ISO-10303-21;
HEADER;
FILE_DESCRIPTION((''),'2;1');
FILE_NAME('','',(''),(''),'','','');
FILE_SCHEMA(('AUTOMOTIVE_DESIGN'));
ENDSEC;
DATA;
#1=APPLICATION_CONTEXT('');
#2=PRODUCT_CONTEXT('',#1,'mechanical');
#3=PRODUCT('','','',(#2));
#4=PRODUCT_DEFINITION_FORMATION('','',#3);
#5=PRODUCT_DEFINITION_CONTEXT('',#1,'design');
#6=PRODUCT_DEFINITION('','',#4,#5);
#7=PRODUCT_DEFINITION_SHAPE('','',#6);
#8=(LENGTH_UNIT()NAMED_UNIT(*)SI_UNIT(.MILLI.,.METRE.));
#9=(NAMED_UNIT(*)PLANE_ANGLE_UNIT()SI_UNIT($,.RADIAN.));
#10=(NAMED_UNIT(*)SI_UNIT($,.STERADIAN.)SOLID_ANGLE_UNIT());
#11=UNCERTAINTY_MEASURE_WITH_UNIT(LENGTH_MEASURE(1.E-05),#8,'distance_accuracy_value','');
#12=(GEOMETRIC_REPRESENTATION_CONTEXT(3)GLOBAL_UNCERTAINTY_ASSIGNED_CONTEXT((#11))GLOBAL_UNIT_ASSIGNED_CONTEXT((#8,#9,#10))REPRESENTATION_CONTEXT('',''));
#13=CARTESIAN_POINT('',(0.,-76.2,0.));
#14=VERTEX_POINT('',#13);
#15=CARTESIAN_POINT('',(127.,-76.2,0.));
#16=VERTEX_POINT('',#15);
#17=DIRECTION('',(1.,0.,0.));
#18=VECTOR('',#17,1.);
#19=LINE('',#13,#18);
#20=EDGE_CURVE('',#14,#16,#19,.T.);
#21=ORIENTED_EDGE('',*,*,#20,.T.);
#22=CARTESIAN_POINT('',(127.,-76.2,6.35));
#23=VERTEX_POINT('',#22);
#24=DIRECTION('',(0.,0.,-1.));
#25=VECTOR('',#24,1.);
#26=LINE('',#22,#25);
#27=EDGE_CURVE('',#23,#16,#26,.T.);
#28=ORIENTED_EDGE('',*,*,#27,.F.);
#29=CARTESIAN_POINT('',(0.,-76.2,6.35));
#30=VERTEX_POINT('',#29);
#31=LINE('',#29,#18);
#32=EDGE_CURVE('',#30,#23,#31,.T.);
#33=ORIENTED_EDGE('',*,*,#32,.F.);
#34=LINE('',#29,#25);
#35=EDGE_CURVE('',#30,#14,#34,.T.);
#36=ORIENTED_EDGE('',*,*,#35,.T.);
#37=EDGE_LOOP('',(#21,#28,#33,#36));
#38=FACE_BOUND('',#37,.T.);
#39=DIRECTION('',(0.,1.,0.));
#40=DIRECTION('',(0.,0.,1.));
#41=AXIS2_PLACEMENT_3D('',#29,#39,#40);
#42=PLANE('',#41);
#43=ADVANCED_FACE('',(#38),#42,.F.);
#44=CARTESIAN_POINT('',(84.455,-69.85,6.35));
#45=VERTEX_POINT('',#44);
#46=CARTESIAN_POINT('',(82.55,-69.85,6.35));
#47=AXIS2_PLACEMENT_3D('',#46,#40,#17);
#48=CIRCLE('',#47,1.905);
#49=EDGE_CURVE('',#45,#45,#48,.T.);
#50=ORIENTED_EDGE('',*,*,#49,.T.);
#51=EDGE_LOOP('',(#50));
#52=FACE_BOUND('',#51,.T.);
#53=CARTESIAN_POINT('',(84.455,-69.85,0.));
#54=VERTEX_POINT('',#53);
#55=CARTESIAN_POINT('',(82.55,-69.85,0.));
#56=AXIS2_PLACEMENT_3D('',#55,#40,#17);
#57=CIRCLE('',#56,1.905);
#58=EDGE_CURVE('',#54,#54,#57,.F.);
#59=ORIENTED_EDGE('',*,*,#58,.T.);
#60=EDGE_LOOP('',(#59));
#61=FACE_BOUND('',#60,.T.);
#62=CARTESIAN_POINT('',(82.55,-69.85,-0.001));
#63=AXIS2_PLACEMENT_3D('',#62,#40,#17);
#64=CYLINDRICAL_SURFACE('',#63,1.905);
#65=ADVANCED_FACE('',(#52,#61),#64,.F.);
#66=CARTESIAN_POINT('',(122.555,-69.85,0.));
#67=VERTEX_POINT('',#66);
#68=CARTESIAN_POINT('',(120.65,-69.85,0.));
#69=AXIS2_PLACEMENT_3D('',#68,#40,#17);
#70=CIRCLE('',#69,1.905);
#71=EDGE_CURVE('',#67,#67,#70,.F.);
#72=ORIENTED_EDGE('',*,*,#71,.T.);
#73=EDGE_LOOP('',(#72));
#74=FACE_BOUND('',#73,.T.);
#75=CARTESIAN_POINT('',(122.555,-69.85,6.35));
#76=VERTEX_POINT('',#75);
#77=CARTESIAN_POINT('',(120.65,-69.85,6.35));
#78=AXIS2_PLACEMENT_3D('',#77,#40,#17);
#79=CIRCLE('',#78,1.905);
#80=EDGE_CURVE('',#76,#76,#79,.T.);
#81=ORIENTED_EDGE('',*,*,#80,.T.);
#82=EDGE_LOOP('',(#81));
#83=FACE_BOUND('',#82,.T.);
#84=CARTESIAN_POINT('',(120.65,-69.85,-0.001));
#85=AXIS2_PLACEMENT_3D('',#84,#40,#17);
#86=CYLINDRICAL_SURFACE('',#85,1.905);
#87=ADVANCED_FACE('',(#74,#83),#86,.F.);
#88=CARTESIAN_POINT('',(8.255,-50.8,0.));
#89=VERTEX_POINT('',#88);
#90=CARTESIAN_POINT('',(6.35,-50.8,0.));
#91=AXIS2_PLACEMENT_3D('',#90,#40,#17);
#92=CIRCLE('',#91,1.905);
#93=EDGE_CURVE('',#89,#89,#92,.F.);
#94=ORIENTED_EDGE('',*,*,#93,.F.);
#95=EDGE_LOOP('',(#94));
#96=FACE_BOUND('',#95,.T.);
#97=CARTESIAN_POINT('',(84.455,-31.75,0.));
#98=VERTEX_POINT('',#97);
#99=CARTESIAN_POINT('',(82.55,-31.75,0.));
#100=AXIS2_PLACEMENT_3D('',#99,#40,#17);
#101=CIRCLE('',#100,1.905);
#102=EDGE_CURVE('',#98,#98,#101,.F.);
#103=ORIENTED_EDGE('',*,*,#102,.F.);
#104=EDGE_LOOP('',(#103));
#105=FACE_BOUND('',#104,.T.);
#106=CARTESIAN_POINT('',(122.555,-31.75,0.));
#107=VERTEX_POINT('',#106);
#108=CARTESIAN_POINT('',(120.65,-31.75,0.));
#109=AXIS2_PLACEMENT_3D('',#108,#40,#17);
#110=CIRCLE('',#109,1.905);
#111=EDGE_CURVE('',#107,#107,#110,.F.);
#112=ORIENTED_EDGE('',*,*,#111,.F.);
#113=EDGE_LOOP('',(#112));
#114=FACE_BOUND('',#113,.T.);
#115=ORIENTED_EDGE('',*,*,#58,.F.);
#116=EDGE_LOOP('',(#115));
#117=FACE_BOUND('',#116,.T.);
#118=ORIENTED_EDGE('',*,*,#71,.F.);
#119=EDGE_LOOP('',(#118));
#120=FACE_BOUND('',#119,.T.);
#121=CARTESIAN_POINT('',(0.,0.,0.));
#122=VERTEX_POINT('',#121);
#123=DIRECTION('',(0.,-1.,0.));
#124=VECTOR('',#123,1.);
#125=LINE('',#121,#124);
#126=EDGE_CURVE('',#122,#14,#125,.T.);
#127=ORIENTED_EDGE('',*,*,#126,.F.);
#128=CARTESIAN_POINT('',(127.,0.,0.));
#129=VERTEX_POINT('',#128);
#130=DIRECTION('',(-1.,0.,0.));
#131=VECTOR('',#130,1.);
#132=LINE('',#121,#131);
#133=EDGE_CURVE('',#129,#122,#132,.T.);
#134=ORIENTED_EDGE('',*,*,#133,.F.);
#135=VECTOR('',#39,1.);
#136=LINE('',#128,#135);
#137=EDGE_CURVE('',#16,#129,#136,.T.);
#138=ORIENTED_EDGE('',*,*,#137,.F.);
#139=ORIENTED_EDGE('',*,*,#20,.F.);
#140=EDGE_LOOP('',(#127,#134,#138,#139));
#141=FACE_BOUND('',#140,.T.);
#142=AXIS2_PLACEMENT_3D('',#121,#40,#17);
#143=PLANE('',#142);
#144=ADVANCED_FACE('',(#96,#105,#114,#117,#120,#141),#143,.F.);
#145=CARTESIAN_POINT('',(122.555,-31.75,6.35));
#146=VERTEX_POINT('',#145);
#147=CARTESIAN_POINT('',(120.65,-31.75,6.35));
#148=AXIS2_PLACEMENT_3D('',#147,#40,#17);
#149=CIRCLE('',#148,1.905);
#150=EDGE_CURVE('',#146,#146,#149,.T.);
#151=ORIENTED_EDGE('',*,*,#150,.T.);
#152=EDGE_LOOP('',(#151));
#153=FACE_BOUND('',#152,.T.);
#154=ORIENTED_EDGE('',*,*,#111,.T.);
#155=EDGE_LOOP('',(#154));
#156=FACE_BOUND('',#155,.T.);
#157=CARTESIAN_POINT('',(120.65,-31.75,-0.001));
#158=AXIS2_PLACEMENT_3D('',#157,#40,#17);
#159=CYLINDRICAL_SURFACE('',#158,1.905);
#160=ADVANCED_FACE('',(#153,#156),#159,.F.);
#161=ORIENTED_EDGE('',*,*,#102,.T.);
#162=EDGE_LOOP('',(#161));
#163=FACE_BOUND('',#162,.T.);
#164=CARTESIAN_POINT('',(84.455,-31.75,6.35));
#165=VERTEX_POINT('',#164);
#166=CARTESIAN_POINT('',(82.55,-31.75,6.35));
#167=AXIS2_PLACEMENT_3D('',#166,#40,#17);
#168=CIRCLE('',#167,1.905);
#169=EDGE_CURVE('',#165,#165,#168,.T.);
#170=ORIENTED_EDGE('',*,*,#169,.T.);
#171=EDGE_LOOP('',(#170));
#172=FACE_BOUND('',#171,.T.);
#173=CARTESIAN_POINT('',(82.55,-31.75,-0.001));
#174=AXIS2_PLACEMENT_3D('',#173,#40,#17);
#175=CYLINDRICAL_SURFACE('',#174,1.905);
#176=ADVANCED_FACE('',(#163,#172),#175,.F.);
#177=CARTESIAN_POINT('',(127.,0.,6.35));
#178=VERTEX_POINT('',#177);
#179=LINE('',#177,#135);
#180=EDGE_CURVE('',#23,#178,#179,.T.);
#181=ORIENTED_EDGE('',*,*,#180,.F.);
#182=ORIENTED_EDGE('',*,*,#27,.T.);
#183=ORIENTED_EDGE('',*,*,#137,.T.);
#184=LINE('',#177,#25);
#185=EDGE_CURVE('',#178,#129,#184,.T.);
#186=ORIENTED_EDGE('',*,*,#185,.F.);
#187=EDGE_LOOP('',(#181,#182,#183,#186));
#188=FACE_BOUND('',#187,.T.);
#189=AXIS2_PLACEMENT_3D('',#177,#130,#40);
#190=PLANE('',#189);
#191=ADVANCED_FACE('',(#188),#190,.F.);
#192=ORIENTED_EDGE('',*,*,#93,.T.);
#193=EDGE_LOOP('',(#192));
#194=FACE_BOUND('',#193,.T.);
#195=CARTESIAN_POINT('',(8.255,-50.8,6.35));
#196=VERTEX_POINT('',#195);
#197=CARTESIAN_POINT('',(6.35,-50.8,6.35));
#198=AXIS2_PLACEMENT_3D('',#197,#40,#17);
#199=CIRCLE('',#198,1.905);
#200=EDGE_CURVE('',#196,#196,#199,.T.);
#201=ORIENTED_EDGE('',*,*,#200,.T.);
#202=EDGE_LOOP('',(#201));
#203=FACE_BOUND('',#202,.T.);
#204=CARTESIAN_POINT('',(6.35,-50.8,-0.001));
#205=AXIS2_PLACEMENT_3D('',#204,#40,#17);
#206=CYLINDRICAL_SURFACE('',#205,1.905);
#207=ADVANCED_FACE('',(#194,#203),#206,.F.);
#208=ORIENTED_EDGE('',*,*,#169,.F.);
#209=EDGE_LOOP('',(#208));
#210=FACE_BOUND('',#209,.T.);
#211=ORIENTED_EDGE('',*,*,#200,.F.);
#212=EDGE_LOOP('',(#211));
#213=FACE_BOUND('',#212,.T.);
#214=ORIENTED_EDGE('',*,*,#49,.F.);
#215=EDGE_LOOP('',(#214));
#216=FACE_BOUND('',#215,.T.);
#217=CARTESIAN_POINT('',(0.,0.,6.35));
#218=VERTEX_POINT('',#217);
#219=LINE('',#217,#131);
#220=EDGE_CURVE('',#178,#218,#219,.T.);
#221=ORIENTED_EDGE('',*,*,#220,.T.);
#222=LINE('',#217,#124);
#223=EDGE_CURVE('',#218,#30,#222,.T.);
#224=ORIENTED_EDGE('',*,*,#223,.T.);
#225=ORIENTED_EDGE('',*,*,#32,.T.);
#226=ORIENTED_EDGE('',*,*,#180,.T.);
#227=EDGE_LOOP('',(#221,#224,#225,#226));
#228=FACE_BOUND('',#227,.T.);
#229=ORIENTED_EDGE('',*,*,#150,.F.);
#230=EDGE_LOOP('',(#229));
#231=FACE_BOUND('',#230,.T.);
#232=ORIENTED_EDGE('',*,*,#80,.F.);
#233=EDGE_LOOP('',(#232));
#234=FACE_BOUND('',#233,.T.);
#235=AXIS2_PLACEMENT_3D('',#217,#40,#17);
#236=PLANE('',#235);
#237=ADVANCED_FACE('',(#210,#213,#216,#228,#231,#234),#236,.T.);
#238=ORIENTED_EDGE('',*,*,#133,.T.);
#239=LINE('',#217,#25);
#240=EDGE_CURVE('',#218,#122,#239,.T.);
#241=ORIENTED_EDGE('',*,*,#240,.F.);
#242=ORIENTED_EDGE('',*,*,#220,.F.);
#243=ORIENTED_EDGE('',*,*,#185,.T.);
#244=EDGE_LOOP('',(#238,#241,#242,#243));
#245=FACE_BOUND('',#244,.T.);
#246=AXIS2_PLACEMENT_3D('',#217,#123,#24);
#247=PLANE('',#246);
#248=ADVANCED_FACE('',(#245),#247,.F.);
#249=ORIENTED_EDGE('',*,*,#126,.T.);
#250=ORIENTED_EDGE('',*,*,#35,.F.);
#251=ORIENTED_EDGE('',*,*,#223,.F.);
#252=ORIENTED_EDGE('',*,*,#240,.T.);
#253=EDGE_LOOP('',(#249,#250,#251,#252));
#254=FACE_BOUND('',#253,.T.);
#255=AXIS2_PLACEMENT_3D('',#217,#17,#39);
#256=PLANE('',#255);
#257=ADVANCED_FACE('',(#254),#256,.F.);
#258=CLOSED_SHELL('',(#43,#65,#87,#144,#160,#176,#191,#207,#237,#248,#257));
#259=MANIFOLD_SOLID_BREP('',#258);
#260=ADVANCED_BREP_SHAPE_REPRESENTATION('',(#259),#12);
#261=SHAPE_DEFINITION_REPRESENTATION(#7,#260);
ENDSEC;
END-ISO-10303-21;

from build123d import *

# Parameters (mm, degrees)
SKETCH1_W           = 127
SKETCH1_H           = 76.2
BOSS_EXTRUDE1_DEPTH = 6.35
CUT_EXTRUDE1_REACH  = 8.35
SKETCH2_R           = 1.905


with BuildPart() as part:
    # Sketch1 → Boss-Extrude1 (new body)
    with BuildSketch(Plane.XY):
        with Locations((63.5, -38.1)):
            Rectangle(SKETCH1_W, SKETCH1_H)
    extrude(amount=BOSS_EXTRUDE1_DEPTH)

    # Sketch2 → Cut-Extrude1 (cut, up to next)
    with BuildSketch(Plane.XY.offset(6.35), mode=Mode.PRIVATE) as cut_extrude1_sk1:
        with Locations((82.55, -31.75)):
            Circle(SKETCH2_R)
    cut_extrude1_tool1 = extrude(cut_extrude1_sk1.sketch, amount=-CUT_EXTRUDE1_REACH, mode=Mode.PRIVATE) & part.part
    add(cut_extrude1_tool1.solids().sort_by_distance((82.55, -31.75, 6.35))[0], mode=Mode.SUBTRACT)
    # Sketch2 → Cut-Extrude1 (cut, up to next)
    with BuildSketch(Plane.XY.offset(6.35), mode=Mode.PRIVATE) as cut_extrude1_sk2:
        with Locations((120.65, -31.75)):
            Circle(SKETCH2_R)
    cut_extrude1_tool2 = extrude(cut_extrude1_sk2.sketch, amount=-CUT_EXTRUDE1_REACH, mode=Mode.PRIVATE) & part.part
    add(cut_extrude1_tool2.solids().sort_by_distance((120.65, -31.75, 6.35))[0], mode=Mode.SUBTRACT)
    # Sketch2 → Cut-Extrude1 (cut, up to next)
    with BuildSketch(Plane.XY.offset(6.35), mode=Mode.PRIVATE) as cut_extrude1_sk3:
        with Locations((82.55, -69.85)):
            Circle(SKETCH2_R)
    cut_extrude1_tool3 = extrude(cut_extrude1_sk3.sketch, amount=-CUT_EXTRUDE1_REACH, mode=Mode.PRIVATE) & part.part
    add(cut_extrude1_tool3.solids().sort_by_distance((82.55, -69.85, 6.35))[0], mode=Mode.SUBTRACT)
    # Sketch2 → Cut-Extrude1 (cut, up to next)
    with BuildSketch(Plane.XY.offset(6.35), mode=Mode.PRIVATE) as cut_extrude1_sk4:
        with Locations((120.65, -69.85)):
            Circle(SKETCH2_R)
    cut_extrude1_tool4 = extrude(cut_extrude1_sk4.sketch, amount=-CUT_EXTRUDE1_REACH, mode=Mode.PRIVATE) & part.part
    add(cut_extrude1_tool4.solids().sort_by_distance((120.65, -69.85, 6.35))[0], mode=Mode.SUBTRACT)
    # Sketch2 → Cut-Extrude1 (cut, up to next)
    with BuildSketch(Plane.XY.offset(6.35), mode=Mode.PRIVATE) as cut_extrude1_sk5:
        with Locations((6.35, -50.8)):
            Circle(SKETCH2_R)
    cut_extrude1_tool5 = extrude(cut_extrude1_sk5.sketch, amount=-CUT_EXTRUDE1_REACH, mode=Mode.PRIVATE) & part.part
    add(cut_extrude1_tool5.solids().sort_by_distance((6.35, -50.8, 6.35))[0], mode=Mode.SUBTRACT)


solid = part.part
